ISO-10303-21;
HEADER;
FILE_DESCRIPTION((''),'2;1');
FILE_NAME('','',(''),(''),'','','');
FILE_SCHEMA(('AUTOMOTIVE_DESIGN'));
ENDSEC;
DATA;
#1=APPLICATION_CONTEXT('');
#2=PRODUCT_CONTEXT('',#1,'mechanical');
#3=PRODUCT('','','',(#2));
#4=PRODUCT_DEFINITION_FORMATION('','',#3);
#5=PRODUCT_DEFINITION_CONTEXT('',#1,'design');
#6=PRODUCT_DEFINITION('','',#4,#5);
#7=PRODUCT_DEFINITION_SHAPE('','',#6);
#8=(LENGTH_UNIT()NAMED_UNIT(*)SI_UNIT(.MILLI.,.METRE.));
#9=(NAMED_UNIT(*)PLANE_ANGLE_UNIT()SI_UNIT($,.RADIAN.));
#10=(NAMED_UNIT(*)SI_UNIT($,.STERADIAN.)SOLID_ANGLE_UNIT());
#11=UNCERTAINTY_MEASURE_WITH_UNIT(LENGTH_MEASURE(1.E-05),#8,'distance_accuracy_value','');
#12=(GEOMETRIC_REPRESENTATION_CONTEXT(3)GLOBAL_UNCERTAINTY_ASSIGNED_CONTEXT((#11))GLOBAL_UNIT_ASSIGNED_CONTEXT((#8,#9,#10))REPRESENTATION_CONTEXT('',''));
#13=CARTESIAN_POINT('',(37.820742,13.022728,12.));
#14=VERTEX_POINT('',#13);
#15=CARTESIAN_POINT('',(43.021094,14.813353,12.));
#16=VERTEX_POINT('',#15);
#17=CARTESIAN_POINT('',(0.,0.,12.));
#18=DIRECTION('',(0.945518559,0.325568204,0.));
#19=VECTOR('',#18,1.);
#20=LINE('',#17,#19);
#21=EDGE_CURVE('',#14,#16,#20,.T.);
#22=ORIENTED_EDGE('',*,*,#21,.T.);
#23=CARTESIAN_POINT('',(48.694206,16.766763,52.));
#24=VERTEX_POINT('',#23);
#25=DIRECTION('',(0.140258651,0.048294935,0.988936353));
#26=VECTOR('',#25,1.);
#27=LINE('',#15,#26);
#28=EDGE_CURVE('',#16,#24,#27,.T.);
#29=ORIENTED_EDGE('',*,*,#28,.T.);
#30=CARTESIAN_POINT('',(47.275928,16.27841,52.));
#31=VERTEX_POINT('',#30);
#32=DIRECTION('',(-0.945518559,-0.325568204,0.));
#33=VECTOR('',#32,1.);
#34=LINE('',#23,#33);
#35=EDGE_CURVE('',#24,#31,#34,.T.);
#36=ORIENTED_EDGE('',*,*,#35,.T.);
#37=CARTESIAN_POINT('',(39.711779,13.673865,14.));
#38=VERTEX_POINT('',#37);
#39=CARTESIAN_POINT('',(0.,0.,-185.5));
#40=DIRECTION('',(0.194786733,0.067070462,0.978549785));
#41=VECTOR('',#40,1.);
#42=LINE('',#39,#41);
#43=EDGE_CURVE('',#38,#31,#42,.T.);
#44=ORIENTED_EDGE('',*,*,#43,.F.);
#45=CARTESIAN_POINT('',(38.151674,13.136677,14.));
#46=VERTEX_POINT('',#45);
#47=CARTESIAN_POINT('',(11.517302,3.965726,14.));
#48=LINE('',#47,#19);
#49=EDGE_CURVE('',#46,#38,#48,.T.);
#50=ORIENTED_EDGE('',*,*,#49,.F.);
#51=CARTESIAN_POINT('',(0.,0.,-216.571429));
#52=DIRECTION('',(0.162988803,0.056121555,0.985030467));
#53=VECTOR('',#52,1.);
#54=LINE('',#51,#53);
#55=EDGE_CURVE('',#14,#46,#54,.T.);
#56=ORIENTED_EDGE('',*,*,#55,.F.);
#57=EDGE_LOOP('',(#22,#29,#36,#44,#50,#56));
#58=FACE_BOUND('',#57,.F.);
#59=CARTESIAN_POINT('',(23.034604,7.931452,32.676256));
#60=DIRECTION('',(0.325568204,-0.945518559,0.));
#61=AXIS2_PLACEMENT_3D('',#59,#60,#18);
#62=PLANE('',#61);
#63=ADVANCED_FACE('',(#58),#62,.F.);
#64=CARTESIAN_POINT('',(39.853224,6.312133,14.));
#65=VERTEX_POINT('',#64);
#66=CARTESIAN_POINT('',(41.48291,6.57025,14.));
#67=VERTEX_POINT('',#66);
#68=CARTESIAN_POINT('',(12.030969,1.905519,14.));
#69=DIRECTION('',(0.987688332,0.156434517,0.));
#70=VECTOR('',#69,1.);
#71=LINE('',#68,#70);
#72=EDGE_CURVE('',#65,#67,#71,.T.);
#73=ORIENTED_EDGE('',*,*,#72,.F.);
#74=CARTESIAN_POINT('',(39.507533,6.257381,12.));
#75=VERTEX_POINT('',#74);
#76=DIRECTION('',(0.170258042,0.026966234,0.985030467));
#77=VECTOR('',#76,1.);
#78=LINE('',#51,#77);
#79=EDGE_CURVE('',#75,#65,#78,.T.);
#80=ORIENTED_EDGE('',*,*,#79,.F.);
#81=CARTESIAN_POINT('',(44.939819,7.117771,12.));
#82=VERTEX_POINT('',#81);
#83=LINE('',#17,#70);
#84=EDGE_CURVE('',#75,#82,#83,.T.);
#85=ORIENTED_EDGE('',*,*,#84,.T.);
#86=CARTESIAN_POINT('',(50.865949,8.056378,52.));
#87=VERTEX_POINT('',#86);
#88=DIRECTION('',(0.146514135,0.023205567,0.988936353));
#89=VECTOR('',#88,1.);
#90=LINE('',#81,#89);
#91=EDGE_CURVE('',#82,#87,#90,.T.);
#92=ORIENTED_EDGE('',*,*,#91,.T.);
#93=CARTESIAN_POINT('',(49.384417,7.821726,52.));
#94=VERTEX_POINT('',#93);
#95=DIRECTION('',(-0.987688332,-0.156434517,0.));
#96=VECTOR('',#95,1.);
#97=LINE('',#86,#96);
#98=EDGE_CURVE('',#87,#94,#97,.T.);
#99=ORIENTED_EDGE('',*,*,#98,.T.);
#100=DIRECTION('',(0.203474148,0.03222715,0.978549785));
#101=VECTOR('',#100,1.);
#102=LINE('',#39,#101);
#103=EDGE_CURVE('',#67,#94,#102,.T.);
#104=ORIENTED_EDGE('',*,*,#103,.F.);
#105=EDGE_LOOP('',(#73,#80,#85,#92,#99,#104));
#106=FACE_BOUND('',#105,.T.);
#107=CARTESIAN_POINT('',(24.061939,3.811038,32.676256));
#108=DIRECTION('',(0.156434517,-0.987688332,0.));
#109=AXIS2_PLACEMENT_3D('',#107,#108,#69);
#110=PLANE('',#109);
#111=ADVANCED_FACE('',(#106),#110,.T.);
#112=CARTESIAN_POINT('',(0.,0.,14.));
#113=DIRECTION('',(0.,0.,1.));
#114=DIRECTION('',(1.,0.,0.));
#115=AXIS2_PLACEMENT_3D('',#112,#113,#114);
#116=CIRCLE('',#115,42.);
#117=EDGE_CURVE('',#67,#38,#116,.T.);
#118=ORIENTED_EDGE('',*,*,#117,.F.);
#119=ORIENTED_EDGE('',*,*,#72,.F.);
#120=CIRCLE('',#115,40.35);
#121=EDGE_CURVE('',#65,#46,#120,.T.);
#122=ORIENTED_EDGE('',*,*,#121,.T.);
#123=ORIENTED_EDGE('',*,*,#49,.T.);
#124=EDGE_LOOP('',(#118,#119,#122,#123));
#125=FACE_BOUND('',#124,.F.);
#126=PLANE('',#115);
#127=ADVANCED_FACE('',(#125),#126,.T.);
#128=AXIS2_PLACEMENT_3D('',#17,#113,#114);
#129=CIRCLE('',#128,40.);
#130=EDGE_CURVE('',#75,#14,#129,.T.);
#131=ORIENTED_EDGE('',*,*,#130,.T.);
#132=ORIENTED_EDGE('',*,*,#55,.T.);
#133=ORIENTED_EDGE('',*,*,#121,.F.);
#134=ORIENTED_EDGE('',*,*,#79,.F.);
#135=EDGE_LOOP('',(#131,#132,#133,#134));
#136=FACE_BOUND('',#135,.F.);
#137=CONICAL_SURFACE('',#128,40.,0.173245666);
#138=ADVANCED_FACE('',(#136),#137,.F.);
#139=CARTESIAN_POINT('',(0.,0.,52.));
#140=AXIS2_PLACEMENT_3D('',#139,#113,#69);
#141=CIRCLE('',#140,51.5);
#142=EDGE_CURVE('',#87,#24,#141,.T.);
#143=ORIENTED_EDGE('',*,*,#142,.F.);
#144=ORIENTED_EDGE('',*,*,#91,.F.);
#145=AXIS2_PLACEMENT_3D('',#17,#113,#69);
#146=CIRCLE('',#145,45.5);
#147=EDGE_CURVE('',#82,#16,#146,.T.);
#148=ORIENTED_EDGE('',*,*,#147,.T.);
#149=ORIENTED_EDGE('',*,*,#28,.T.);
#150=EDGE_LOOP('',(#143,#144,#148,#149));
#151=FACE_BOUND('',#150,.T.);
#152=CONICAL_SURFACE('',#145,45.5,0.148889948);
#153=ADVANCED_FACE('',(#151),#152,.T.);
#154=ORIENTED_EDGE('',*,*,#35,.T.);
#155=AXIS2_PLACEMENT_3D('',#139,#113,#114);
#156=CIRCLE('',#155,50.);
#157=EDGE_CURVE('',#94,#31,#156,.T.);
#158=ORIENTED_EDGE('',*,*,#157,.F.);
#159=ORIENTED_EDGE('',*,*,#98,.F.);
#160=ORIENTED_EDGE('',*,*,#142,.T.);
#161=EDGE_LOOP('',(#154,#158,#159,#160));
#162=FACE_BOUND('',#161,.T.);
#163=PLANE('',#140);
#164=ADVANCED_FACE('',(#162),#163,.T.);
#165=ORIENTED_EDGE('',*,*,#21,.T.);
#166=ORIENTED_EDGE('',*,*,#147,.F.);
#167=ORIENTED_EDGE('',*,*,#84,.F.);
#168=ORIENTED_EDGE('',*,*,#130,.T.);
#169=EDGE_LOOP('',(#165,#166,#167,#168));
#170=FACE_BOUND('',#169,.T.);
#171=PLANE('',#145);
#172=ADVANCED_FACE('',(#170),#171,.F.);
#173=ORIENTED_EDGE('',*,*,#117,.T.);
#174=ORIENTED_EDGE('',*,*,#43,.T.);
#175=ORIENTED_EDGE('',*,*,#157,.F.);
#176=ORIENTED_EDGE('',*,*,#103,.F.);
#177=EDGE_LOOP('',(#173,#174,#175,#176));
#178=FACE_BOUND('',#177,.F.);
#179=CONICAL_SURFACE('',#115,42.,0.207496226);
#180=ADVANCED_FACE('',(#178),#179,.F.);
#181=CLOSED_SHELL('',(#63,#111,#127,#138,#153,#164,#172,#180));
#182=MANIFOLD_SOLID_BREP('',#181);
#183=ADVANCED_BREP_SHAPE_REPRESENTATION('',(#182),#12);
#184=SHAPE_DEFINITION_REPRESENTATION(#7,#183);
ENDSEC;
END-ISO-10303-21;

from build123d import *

# Parameters (mm, degrees)
CONE009_ANGLE           = 30
CONE007_ANGLE           = 30
CONE008_ANGLE           = 10
CONE008_PLACEMENT_ANGLE = 9.000003


with BuildPart() as ydra_hank_cutter_nedre:
    # Cone009 → Cone009 (revolve)
    with BuildSketch(Plane(origin=(0, 0, 12), x_dir=(1, 0, 0), z_dir=(0, -1, 0))):
        Polygon((0, 0), (40, 0), (47, 40), (0, 40), align=None)
    revolve(axis=Axis((0, 0, 12), (0, 0, 1)), revolution_arc=CONE009_ANGLE)


with BuildPart() as ydra_hank_cutter:
    # Cone007 → Cone007 (revolve)
    with BuildSketch(Plane(origin=(0, 0, 14), x_dir=(1, 0, 0), z_dir=(0, -1, 0))):
        Polygon((0, 0), (42, 0), (50, 38), (0, 38), align=None)
    revolve(axis=Axis((0, 0, 14), (0, 0, 1)), revolution_arc=CONE007_ANGLE)


with BuildPart() as total_cuttet_hank:
    # Cone008 → Cone008 (revolve)
    with BuildSketch(Plane.XZ):
        Polygon((0, 0), (45.5, 0), (51.5, 40), (0, 40), align=None)
    revolve(axis=Axis((0, 0, 0), (0, 0, 1)), revolution_arc=CONE008_ANGLE)


with BuildPart() as total_cuttet_hank_1:
    # Cone008 placement: moved
    add(total_cuttet_hank.part.moved(Location((0, 0, 12))).rotate(Axis((0, 0, 12), (0, 0, 1)), CONE008_PLACEMENT_ANGLE))

    # Cut006: cut Ydra hank cutter
    add(ydra_hank_cutter.part, mode=Mode.SUBTRACT)

    # Cut007: cut Ydra hank cutter nedre
    add(ydra_hank_cutter_nedre.part, mode=Mode.SUBTRACT)


solid = total_cuttet_hank_1.part
